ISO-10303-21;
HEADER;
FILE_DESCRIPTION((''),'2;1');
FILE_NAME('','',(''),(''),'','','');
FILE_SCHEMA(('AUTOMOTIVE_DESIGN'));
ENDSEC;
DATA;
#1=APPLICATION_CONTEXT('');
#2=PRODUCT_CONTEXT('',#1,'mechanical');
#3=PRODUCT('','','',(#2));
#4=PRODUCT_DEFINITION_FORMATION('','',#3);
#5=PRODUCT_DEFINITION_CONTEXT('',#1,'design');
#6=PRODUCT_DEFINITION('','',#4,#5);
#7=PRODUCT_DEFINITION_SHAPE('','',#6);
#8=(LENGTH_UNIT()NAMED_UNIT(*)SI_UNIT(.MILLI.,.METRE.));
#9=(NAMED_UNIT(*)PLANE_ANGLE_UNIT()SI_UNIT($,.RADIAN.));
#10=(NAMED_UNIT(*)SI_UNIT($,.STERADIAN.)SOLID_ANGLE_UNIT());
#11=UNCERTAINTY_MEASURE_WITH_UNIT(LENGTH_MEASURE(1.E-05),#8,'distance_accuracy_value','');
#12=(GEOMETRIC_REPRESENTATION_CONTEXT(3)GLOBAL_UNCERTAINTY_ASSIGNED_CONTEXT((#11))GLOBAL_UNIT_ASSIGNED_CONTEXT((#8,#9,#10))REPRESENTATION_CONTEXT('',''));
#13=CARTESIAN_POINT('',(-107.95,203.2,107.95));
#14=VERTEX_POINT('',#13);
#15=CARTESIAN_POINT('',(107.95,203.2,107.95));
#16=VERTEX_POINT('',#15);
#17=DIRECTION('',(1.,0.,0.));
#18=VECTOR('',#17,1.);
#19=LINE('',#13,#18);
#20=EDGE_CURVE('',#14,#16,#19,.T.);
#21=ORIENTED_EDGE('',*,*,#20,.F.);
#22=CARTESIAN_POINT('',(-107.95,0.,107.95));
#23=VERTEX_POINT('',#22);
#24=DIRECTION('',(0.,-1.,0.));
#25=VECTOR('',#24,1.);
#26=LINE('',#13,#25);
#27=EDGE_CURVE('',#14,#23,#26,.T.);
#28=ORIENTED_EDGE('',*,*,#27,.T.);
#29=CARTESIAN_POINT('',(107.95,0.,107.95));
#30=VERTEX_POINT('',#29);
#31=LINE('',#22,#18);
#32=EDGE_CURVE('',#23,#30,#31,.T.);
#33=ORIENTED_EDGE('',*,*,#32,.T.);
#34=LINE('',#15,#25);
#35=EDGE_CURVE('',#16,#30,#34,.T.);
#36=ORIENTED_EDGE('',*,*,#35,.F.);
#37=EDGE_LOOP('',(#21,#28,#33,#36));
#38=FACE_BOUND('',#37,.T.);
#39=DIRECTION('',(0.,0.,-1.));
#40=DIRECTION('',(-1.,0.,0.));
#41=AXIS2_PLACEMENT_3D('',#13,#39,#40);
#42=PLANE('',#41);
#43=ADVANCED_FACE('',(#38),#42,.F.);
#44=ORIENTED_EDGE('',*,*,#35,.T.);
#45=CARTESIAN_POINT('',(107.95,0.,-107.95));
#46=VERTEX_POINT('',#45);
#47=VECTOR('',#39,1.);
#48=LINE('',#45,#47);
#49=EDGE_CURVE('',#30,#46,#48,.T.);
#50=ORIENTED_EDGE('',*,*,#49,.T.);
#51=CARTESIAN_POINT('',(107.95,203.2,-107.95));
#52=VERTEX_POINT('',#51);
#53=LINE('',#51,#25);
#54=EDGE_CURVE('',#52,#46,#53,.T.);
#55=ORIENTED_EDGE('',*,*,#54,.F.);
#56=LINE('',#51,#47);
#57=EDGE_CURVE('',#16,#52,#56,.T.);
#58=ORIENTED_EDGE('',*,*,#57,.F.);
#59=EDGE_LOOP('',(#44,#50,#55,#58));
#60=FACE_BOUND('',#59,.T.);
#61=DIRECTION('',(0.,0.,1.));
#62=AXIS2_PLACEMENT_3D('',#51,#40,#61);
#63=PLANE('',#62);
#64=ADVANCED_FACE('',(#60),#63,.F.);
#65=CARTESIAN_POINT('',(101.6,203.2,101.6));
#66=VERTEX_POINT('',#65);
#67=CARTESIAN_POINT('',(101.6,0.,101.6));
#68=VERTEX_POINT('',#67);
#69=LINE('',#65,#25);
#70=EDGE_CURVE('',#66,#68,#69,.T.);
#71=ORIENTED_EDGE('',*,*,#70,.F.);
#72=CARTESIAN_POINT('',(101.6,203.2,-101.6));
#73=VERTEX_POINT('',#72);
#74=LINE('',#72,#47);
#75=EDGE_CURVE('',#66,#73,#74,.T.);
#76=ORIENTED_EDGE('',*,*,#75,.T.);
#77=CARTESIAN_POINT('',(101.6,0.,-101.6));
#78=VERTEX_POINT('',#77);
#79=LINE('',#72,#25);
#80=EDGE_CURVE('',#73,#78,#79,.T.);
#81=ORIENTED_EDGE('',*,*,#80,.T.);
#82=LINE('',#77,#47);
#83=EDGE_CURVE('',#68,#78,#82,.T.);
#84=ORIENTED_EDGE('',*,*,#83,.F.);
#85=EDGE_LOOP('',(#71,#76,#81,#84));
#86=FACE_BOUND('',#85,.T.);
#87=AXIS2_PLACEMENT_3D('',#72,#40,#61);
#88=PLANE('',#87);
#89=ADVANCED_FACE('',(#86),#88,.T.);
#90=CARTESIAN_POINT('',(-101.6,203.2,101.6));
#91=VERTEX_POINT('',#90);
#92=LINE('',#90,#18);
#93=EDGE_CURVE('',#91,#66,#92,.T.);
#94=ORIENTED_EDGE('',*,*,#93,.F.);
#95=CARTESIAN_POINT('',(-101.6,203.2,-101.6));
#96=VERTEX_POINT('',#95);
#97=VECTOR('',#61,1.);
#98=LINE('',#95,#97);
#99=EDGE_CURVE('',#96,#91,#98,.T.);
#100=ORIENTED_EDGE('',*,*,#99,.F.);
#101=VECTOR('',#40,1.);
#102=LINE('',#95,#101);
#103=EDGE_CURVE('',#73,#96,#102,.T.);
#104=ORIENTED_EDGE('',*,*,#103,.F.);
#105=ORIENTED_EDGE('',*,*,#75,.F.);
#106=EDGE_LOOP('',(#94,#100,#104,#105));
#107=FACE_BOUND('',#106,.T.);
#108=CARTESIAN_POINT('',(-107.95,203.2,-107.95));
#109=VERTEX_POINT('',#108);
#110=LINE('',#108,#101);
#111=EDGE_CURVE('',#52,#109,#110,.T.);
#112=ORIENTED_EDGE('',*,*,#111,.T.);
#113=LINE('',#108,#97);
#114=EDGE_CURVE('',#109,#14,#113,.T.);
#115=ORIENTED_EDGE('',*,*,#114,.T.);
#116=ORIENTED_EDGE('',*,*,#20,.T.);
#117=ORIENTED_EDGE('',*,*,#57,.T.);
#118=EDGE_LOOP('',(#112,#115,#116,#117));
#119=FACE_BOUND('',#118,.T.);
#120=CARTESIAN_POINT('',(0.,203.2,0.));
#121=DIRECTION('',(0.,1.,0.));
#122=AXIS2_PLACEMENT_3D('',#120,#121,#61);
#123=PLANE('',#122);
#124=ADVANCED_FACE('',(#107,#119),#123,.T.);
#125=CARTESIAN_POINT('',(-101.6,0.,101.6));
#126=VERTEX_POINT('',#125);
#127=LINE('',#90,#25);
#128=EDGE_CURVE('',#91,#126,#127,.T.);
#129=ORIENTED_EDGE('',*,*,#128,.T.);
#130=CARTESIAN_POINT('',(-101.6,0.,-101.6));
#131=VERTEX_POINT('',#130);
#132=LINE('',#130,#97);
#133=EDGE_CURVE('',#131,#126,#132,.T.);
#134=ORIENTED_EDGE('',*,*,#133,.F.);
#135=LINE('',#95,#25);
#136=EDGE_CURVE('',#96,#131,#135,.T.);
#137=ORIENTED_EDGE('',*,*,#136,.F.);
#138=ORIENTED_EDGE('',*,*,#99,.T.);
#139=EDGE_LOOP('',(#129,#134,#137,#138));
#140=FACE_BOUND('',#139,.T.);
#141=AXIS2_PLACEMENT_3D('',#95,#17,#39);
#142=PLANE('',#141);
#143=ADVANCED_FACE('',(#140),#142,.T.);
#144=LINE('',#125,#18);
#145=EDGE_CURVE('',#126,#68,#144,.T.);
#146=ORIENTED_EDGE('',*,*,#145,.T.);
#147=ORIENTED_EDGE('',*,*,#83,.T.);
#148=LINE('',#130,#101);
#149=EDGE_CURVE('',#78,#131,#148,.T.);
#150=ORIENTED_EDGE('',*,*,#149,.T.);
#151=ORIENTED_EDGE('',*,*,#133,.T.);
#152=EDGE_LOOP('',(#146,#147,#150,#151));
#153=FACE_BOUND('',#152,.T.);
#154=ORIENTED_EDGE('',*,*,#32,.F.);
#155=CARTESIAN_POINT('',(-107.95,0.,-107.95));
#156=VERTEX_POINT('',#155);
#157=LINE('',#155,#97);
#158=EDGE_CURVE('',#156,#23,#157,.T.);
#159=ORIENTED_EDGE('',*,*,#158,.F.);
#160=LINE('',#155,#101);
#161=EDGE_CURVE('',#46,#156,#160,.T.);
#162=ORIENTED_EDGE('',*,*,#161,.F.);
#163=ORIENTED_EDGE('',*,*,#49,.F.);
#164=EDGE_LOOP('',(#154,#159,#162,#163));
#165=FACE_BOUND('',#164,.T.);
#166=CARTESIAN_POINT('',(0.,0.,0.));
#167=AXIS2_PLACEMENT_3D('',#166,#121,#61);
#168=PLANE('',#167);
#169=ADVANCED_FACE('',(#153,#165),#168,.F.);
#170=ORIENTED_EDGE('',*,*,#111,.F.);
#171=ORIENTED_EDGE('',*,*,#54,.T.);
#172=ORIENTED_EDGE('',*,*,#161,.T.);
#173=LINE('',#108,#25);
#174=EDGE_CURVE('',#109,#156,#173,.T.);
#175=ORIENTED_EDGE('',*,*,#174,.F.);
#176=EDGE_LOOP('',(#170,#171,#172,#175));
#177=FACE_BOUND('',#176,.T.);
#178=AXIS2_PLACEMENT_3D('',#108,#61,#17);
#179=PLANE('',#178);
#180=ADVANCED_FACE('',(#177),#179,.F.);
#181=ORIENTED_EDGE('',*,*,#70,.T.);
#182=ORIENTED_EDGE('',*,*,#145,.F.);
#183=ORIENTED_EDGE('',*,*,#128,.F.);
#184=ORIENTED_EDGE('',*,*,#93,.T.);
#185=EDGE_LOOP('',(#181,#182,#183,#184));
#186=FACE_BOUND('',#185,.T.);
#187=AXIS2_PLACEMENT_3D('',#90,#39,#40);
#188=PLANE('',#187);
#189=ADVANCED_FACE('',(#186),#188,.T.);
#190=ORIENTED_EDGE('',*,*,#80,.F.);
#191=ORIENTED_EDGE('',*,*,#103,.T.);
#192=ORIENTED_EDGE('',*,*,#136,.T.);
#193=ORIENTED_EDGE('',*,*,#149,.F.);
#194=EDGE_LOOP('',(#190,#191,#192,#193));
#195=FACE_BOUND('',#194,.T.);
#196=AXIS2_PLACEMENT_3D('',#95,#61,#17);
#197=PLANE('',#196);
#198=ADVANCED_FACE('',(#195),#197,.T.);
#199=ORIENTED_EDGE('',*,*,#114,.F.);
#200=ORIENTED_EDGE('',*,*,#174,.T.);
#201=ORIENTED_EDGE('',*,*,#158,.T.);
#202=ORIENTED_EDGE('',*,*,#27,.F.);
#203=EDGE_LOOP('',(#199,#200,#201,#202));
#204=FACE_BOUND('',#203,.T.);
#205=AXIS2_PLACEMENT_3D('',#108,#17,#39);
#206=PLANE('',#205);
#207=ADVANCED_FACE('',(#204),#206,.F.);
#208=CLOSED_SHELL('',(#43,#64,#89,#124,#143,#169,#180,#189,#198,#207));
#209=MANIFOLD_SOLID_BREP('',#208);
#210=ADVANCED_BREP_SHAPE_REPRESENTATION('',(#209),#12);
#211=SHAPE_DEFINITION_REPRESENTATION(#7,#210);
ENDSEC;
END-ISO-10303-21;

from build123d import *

# Parameters (mm, degrees)
SKETCH1_W           = 215.9
SKETCH1_H           = 215.9
SKETCH1_W_2         = 203.2
SKETCH1_H_2         = 203.2
BOSS_EXTRUDE1_DEPTH = 203.2


with BuildPart() as part:
    # Sketch1 → Boss-Extrude1 (new body)
    with BuildSketch(Plane(origin=(0, 0, 0), x_dir=(1, 0, 0), z_dir=(0, 1, 0))):
        Rectangle(SKETCH1_W, SKETCH1_H)
        Rectangle(SKETCH1_W_2, SKETCH1_H_2, mode=Mode.SUBTRACT)
    extrude(amount=BOSS_EXTRUDE1_DEPTH)


solid = part.part
